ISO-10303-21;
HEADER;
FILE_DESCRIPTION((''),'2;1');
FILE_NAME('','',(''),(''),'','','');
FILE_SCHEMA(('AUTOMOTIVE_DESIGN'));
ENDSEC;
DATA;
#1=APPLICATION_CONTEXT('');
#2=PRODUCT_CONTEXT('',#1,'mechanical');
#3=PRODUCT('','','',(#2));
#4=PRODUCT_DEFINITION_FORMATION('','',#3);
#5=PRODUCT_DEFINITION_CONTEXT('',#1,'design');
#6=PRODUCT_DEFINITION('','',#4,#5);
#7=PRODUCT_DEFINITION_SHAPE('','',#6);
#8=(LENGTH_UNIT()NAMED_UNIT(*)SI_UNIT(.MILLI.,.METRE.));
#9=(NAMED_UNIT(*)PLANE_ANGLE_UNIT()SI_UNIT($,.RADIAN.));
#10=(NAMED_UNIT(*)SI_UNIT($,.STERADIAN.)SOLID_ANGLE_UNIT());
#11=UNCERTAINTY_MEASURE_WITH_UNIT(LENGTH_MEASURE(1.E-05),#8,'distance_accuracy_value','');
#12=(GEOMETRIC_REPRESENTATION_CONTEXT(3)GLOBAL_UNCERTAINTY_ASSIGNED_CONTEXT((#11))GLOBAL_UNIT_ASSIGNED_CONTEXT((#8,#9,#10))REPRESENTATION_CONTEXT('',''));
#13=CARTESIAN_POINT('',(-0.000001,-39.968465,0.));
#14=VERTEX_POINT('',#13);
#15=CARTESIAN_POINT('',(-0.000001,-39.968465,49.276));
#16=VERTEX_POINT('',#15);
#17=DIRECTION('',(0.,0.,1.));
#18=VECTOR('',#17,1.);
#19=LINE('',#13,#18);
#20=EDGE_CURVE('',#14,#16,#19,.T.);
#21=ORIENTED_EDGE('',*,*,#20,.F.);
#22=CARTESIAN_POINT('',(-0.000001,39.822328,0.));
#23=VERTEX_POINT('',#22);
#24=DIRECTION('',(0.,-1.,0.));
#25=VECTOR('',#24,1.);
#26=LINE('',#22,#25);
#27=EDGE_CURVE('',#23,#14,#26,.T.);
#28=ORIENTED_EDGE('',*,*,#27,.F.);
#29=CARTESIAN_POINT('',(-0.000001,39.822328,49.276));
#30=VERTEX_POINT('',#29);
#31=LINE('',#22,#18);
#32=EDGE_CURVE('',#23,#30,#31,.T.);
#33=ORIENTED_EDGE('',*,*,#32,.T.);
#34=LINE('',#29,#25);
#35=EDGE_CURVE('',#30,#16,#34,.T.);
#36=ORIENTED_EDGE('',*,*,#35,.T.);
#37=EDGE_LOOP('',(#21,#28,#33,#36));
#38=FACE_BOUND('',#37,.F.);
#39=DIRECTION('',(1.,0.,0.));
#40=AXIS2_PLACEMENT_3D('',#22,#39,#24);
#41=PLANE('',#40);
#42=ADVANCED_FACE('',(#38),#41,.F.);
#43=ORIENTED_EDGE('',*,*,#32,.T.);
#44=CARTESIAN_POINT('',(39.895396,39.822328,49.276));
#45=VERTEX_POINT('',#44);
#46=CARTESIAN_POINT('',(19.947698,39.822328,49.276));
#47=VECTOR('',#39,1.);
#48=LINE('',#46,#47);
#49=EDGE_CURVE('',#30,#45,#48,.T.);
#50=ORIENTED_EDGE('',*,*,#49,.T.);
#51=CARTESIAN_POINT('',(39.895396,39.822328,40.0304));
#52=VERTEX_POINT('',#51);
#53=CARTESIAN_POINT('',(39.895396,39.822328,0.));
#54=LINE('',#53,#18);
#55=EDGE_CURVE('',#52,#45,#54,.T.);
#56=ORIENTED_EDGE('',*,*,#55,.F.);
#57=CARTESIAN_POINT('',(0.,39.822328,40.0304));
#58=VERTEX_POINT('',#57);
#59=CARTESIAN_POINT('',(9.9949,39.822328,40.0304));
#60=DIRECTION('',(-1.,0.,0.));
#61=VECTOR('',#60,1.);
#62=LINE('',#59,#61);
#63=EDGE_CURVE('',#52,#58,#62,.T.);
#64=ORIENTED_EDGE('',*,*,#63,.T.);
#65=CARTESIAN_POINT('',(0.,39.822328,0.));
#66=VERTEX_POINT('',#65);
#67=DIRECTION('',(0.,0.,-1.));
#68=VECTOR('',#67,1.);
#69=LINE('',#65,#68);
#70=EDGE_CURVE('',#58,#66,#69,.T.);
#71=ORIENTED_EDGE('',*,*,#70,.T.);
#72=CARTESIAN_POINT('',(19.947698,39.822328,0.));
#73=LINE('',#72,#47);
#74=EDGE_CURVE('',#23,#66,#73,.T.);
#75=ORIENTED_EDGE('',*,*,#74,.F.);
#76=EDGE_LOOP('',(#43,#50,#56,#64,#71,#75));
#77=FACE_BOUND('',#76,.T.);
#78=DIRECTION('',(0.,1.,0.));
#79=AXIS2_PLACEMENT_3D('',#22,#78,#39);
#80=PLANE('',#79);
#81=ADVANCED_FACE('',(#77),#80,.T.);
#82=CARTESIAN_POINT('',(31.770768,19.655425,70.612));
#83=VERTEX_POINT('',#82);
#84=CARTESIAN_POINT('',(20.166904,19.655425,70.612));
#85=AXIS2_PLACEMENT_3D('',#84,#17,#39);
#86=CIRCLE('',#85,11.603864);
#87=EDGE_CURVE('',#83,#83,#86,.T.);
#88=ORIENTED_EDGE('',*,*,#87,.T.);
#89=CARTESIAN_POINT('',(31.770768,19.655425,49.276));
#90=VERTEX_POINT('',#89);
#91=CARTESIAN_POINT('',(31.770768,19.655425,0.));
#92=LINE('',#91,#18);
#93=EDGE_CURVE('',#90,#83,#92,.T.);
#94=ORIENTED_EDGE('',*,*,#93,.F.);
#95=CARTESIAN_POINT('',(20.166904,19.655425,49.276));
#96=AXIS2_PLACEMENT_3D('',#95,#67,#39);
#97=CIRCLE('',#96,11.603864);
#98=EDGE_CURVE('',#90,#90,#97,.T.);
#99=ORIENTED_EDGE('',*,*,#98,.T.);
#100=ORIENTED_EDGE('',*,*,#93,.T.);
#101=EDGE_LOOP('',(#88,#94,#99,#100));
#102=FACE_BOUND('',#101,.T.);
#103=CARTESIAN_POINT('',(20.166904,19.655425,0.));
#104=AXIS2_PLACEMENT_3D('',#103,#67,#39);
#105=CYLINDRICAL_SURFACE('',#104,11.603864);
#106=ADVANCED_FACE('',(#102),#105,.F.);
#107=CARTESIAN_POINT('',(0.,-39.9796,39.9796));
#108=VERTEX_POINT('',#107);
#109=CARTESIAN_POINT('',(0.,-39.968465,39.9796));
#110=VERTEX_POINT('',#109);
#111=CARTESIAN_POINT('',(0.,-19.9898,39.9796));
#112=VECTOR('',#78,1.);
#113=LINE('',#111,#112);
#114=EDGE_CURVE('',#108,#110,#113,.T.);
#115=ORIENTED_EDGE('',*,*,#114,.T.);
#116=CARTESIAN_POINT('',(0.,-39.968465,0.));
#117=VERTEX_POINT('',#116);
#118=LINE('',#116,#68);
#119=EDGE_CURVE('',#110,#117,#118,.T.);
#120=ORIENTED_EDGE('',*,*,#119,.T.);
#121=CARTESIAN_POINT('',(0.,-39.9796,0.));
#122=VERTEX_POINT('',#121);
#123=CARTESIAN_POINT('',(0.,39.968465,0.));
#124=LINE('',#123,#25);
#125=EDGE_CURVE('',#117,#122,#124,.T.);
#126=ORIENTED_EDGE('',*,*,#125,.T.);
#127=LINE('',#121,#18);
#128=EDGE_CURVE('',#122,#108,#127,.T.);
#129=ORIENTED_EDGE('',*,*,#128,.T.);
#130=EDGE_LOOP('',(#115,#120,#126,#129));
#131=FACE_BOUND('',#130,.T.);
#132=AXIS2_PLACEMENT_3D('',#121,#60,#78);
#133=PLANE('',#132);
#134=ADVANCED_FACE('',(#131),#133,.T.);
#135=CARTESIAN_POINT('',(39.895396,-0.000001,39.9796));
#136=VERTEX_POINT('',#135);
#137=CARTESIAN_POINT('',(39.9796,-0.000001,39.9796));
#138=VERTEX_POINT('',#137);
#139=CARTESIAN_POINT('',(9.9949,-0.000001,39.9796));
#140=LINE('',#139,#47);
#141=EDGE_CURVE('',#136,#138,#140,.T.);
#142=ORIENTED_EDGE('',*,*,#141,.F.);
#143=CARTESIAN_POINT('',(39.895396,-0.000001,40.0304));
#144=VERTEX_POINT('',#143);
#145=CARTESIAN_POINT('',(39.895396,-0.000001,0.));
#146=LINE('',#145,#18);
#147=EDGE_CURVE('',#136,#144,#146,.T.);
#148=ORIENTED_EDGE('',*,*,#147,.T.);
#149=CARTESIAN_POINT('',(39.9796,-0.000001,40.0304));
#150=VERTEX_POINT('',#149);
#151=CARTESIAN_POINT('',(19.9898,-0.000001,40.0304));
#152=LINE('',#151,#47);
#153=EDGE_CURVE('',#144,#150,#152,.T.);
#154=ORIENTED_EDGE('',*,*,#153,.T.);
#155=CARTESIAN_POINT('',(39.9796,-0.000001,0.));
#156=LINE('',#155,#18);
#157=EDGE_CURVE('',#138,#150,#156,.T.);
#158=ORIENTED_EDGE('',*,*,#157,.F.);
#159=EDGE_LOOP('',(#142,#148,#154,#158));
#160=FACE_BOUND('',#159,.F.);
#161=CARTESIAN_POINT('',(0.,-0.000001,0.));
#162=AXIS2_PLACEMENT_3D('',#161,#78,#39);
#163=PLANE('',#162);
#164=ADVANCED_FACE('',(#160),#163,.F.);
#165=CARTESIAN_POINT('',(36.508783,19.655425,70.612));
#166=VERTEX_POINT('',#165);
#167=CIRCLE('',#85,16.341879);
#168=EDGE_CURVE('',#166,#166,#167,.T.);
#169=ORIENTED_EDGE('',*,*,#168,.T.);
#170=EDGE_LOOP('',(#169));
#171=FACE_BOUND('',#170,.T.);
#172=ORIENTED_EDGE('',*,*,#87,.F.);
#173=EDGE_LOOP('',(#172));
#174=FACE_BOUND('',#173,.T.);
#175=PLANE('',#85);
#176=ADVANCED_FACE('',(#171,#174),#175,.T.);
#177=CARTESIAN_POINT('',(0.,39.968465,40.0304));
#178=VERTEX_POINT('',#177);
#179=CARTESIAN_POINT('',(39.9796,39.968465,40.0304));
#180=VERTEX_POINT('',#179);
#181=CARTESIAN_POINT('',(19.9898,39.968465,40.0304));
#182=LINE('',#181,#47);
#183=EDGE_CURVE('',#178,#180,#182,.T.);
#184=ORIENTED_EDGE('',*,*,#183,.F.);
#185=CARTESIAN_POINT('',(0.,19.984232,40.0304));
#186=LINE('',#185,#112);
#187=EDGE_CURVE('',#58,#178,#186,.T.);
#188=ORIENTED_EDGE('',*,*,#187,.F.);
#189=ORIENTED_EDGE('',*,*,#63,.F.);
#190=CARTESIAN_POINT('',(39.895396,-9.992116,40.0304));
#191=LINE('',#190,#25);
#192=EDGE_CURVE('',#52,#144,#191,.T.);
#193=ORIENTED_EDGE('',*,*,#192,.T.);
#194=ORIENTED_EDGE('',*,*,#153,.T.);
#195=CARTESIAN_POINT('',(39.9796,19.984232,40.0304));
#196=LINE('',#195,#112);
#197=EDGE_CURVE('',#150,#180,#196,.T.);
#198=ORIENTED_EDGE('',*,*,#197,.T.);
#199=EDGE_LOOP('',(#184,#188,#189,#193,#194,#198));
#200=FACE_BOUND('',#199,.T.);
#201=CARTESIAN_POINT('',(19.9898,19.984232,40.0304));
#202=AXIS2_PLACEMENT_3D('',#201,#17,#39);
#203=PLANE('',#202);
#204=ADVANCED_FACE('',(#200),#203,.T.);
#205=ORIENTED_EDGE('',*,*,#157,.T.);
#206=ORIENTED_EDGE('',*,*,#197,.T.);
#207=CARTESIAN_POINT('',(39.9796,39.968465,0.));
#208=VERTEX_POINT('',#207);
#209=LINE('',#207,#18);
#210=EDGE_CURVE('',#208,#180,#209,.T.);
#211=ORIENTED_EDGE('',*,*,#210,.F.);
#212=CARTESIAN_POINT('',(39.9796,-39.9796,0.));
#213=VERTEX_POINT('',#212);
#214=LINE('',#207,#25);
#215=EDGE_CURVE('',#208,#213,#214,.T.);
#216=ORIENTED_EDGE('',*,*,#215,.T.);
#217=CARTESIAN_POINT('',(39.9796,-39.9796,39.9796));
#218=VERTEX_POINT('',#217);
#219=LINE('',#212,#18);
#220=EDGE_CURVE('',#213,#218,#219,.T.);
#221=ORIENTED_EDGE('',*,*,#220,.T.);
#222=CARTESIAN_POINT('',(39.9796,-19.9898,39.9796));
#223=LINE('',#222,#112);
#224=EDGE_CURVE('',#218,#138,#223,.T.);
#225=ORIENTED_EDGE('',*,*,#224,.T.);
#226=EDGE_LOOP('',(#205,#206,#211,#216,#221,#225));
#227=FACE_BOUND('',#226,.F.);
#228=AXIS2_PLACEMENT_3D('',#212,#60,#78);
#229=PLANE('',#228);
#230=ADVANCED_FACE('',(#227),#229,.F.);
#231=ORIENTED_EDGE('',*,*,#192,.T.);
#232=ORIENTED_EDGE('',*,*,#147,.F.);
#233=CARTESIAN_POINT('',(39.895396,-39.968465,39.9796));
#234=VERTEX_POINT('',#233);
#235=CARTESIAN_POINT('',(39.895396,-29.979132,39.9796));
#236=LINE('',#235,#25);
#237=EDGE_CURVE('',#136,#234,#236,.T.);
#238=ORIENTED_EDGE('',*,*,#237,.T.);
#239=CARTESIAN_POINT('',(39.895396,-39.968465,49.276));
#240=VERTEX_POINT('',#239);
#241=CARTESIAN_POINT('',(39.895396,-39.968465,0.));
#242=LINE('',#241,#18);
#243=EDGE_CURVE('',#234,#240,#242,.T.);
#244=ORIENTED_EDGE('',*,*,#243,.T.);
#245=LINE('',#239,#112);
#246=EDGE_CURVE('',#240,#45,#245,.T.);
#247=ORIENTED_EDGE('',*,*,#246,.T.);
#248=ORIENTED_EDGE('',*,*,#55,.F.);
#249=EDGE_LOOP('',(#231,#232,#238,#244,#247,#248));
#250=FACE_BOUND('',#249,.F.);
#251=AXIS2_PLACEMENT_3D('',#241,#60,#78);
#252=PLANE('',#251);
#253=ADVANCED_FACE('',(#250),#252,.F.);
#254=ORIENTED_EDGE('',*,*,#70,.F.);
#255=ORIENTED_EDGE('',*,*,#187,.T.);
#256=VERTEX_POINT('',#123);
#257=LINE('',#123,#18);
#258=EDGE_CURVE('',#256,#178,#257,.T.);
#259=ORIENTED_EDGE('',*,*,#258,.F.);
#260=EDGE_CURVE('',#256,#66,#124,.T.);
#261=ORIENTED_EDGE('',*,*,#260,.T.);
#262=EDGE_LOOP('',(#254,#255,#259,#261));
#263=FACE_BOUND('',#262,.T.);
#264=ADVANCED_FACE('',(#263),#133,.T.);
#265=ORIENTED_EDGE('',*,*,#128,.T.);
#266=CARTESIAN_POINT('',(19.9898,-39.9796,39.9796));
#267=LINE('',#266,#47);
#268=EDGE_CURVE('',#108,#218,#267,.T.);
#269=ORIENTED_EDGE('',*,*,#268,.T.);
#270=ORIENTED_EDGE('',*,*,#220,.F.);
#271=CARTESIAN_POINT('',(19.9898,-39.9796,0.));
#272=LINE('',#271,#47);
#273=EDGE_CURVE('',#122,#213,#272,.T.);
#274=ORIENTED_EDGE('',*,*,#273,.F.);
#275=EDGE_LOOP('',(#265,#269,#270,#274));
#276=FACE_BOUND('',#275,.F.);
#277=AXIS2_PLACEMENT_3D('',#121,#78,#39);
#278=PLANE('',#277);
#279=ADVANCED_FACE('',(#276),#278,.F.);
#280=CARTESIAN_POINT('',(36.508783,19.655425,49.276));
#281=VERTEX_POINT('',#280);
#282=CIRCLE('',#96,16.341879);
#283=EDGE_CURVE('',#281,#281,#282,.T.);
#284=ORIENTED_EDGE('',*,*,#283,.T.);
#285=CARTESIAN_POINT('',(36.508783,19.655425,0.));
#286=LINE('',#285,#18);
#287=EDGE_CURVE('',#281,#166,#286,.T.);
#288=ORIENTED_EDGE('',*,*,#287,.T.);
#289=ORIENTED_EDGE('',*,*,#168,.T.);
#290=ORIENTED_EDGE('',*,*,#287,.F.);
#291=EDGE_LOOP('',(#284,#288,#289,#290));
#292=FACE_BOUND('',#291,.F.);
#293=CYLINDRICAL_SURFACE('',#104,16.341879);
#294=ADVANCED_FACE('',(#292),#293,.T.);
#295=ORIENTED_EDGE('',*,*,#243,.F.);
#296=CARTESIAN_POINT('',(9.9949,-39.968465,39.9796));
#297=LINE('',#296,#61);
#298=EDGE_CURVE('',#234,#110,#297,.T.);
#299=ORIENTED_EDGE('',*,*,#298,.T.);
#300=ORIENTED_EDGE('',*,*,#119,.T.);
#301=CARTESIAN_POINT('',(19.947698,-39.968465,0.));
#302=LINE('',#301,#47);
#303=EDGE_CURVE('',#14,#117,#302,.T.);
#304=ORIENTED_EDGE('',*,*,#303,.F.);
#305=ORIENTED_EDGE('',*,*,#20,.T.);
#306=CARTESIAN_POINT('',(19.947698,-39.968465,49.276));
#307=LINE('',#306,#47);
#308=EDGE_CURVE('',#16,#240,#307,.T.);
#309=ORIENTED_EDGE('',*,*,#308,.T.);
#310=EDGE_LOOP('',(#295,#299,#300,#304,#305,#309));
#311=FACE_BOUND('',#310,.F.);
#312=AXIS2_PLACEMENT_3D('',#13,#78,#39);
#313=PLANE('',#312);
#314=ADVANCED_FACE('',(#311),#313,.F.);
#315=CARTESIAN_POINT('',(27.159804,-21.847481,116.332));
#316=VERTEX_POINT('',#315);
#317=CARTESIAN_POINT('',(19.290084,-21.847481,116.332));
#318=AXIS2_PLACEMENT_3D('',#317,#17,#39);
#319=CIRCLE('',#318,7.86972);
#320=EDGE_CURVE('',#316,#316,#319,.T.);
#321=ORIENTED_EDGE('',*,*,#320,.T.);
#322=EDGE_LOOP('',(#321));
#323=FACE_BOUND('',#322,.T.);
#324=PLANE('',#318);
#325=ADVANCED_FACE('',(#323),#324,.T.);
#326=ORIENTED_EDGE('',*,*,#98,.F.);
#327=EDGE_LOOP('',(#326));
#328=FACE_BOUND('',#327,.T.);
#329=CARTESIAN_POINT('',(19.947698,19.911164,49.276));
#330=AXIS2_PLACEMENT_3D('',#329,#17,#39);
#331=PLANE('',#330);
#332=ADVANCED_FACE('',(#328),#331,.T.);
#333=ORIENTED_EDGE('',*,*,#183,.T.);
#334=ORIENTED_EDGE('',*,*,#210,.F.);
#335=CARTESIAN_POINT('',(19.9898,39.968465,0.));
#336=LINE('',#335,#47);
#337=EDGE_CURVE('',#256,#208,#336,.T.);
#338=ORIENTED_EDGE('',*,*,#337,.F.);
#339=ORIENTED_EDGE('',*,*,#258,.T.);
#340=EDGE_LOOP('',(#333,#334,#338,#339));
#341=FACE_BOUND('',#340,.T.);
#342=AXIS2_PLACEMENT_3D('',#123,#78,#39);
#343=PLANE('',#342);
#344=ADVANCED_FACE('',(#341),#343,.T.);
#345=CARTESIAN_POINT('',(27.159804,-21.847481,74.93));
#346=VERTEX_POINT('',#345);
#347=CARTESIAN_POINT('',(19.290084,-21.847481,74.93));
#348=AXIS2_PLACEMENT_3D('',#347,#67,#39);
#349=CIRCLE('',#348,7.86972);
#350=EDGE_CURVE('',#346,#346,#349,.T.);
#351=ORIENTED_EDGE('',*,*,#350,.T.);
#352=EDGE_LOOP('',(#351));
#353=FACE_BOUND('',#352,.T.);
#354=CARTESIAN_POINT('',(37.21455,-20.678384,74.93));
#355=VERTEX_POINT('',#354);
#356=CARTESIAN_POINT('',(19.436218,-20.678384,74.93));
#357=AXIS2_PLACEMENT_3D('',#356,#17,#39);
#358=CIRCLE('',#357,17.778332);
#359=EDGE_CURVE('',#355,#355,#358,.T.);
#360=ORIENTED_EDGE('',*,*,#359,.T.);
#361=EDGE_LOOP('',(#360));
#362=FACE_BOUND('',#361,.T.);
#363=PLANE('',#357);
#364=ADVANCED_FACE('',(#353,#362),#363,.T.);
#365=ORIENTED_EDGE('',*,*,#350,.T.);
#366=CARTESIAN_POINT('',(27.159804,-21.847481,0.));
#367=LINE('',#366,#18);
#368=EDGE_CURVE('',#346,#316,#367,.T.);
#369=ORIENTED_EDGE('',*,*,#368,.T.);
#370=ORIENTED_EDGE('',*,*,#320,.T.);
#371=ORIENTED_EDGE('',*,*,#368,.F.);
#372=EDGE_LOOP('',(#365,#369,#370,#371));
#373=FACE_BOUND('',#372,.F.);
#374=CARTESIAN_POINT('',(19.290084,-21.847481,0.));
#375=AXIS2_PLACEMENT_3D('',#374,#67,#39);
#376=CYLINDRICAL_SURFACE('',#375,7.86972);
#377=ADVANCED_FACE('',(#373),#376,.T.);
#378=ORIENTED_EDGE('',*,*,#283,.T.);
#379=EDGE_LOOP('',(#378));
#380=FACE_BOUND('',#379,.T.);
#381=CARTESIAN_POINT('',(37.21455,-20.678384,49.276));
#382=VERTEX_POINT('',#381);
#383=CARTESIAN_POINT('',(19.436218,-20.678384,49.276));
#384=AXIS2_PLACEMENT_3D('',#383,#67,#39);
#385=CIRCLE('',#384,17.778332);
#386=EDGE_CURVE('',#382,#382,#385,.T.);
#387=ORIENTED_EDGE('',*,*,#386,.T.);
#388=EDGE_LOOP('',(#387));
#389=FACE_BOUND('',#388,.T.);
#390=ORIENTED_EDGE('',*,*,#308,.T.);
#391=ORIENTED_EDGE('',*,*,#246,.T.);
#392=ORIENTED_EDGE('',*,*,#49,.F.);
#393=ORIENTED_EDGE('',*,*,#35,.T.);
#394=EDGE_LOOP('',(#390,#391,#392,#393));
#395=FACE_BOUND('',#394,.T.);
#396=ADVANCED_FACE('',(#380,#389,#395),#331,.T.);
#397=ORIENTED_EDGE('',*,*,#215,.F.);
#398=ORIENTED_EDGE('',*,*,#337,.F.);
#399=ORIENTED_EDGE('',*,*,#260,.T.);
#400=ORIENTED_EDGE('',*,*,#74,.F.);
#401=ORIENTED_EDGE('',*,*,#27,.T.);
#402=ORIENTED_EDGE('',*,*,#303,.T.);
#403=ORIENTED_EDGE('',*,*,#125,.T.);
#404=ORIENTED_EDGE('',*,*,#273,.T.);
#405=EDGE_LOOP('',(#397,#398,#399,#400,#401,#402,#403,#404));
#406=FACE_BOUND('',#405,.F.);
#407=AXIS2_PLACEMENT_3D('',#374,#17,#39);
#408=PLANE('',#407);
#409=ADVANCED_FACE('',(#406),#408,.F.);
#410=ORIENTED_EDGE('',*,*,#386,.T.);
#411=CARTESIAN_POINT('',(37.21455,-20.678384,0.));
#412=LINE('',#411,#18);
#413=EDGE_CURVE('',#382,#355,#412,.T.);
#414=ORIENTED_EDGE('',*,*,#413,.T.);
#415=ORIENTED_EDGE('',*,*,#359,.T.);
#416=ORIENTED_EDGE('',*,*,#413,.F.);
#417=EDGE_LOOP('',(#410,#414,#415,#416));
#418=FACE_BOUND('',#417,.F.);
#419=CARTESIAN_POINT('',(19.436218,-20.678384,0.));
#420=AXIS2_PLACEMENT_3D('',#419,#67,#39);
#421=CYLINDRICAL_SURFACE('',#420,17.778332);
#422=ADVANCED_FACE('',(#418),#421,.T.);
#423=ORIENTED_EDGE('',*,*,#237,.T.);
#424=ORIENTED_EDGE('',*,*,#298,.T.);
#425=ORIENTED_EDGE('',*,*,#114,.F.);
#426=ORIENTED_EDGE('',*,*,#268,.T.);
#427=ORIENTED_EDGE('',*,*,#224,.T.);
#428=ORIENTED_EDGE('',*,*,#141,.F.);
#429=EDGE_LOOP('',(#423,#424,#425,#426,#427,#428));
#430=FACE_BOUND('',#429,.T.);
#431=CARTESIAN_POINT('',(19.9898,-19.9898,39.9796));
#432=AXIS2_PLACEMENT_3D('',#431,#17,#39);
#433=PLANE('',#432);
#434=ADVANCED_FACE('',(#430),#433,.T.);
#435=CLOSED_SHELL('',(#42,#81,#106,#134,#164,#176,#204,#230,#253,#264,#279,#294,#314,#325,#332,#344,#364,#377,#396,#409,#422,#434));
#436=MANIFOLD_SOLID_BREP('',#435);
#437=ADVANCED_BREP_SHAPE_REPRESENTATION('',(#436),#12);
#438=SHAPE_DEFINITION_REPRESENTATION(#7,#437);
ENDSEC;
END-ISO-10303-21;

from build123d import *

# Parameters (mm, degrees)
F0_W      = 39.9796
F0_H      = 39.968465
F1_DEPTH  = 40.0304
F2_R      = 16.341879
F2_R_2    = 11.603864
F3_DEPTH  = 70.612
F4_W      = 39.9796
F4_H      = 39.9796
F5_DEPTH  = 39.9796
F6_R      = 17.778332
F7_DEPTH  = 74.93
F8_W      = 39.895397
F8_H      = 39.822329
F8_H_2    = 39.968465
F9_DEPTH  = 49.276
F10_R     = 7.86972
F11_DEPTH = 116.332


with BuildPart() as f1:
    # F0 (on Top) → F1 (new body)
    with BuildSketch(Plane.XY):
        with Locations((19.9898, 19.984232)):
            Rectangle(F0_W, F0_H)
    extrude(amount=F1_DEPTH)

    # F2 (on Top) → F3 (join)
    with BuildSketch(Plane.XY):
        with Locations((20.166904, 19.655425)):
            Circle(F2_R)
        with Locations((20.166904, 19.655425)):
            Circle(F2_R_2, mode=Mode.SUBTRACT)
    extrude(amount=F3_DEPTH)

    # F4 (on Top) → F5 (join)
    with BuildSketch(Plane.XY):
        with Locations((19.9898, -19.9898)):
            Rectangle(F4_W, F4_H)
    extrude(amount=F5_DEPTH)

    # F6 (on Top) → F7 (join)
    with BuildSketch(Plane.XY):
        with Locations((19.436218, -20.678384)):
            Circle(F6_R)
    extrude(amount=F7_DEPTH)

    # F8 (on Top) → F9 (join)
    with BuildSketch(Plane.XY):
        with Locations((19.947698, 19.911164)):
            Rectangle(F8_W, F8_H)
        with Locations((19.947698, -19.984232)):
            Rectangle(F8_W, F8_H_2)
    extrude(amount=F9_DEPTH)

    # F10 (on Top) → F11 (join)
    with BuildSketch(Plane.XY):
        with Locations((19.290084, -21.847481)):
            Circle(F10_R)
    extrude(amount=F11_DEPTH)


solid = f1.part
